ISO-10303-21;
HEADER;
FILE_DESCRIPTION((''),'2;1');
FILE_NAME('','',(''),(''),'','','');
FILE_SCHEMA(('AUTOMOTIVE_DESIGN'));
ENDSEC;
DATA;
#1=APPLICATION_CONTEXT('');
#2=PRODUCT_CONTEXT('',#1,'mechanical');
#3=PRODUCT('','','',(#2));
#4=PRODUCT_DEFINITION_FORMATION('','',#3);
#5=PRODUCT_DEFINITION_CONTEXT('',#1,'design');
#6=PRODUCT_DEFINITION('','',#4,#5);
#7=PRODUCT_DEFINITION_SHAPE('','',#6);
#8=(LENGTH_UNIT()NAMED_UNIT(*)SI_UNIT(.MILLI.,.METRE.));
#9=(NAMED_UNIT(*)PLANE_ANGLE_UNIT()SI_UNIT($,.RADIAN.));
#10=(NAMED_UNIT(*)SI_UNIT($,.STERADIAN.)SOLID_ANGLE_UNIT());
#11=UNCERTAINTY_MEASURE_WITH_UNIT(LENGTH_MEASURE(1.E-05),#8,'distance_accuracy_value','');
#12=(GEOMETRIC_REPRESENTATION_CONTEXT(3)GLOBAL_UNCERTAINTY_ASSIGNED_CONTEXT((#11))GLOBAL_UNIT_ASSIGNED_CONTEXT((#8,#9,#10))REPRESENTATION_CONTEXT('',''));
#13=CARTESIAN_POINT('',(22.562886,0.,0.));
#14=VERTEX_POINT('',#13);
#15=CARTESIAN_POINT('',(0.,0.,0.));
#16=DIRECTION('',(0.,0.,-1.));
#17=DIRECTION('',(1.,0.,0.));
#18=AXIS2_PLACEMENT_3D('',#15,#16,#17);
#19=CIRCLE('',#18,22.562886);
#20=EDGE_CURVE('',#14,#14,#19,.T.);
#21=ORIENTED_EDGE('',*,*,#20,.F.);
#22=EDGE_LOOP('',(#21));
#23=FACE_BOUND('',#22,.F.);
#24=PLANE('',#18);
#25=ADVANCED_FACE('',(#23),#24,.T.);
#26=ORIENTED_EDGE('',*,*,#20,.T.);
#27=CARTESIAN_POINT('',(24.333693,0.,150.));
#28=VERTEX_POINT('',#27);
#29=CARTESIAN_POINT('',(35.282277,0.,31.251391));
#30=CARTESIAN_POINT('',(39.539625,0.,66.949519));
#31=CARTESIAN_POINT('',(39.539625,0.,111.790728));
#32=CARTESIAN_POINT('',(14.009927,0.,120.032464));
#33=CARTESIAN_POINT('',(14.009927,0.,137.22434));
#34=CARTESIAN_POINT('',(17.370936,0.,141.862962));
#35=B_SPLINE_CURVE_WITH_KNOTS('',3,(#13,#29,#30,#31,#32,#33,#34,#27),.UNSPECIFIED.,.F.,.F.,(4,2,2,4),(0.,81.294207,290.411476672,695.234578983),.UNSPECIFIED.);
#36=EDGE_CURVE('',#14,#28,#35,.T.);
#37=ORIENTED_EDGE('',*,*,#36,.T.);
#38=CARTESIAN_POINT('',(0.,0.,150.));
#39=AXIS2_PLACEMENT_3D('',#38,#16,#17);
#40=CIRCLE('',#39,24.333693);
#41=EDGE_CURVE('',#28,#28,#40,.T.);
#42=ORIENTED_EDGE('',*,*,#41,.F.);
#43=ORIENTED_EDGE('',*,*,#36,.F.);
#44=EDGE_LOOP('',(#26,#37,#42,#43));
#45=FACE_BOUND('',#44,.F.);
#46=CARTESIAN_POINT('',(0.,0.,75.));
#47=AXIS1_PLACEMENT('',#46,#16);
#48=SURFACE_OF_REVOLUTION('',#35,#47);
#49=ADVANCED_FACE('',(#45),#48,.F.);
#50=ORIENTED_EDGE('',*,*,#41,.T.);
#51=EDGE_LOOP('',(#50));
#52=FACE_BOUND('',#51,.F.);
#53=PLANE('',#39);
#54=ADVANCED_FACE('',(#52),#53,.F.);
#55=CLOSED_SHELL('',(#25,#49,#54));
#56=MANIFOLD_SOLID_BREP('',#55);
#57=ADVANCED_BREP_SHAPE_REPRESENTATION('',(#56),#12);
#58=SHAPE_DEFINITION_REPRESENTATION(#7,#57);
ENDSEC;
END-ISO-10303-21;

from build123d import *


with BuildPart() as f1:
    # F0 (on Front) → F1 (revolve)
    with BuildSketch(Plane.XZ):
        with BuildLine():
            Line((0, 150), (0, 0))
            Line((0, 0), (22.562886, 0))
            add(Edge.make_bspline(
                [(22.562886, 0), (35.282277, 31.251391), (39.539625, 66.949519), (39.539625, 79.501814)],
                knots=[0, 0, 0, 0, 81.294207, 81.294207, 81.294207, 81.294207], degree=3))
            add(Edge.make_bspline(
                [(39.539625, 79.501814), (39.539625, 111.790728), (14.009927, 120.032464), (14.009927, 125.888274)],
                knots=[0, 0, 0, 0, 52.947797, 52.947797, 52.947797, 52.947797], degree=3))
            add(Edge.make_bspline(
                [(14.009927, 125.888274), (14.009927, 137.22434), (17.370936, 141.862962), (24.333693, 150)],
                knots=[0, 0, 0, 0, 26.228905, 26.228905, 26.228905, 26.228905], degree=3))
            Line((24.333693, 150), (0, 150))
        make_face()
    revolve(axis=Axis((0, 0, 75), (0, 0, -1)))


solid = f1.part
